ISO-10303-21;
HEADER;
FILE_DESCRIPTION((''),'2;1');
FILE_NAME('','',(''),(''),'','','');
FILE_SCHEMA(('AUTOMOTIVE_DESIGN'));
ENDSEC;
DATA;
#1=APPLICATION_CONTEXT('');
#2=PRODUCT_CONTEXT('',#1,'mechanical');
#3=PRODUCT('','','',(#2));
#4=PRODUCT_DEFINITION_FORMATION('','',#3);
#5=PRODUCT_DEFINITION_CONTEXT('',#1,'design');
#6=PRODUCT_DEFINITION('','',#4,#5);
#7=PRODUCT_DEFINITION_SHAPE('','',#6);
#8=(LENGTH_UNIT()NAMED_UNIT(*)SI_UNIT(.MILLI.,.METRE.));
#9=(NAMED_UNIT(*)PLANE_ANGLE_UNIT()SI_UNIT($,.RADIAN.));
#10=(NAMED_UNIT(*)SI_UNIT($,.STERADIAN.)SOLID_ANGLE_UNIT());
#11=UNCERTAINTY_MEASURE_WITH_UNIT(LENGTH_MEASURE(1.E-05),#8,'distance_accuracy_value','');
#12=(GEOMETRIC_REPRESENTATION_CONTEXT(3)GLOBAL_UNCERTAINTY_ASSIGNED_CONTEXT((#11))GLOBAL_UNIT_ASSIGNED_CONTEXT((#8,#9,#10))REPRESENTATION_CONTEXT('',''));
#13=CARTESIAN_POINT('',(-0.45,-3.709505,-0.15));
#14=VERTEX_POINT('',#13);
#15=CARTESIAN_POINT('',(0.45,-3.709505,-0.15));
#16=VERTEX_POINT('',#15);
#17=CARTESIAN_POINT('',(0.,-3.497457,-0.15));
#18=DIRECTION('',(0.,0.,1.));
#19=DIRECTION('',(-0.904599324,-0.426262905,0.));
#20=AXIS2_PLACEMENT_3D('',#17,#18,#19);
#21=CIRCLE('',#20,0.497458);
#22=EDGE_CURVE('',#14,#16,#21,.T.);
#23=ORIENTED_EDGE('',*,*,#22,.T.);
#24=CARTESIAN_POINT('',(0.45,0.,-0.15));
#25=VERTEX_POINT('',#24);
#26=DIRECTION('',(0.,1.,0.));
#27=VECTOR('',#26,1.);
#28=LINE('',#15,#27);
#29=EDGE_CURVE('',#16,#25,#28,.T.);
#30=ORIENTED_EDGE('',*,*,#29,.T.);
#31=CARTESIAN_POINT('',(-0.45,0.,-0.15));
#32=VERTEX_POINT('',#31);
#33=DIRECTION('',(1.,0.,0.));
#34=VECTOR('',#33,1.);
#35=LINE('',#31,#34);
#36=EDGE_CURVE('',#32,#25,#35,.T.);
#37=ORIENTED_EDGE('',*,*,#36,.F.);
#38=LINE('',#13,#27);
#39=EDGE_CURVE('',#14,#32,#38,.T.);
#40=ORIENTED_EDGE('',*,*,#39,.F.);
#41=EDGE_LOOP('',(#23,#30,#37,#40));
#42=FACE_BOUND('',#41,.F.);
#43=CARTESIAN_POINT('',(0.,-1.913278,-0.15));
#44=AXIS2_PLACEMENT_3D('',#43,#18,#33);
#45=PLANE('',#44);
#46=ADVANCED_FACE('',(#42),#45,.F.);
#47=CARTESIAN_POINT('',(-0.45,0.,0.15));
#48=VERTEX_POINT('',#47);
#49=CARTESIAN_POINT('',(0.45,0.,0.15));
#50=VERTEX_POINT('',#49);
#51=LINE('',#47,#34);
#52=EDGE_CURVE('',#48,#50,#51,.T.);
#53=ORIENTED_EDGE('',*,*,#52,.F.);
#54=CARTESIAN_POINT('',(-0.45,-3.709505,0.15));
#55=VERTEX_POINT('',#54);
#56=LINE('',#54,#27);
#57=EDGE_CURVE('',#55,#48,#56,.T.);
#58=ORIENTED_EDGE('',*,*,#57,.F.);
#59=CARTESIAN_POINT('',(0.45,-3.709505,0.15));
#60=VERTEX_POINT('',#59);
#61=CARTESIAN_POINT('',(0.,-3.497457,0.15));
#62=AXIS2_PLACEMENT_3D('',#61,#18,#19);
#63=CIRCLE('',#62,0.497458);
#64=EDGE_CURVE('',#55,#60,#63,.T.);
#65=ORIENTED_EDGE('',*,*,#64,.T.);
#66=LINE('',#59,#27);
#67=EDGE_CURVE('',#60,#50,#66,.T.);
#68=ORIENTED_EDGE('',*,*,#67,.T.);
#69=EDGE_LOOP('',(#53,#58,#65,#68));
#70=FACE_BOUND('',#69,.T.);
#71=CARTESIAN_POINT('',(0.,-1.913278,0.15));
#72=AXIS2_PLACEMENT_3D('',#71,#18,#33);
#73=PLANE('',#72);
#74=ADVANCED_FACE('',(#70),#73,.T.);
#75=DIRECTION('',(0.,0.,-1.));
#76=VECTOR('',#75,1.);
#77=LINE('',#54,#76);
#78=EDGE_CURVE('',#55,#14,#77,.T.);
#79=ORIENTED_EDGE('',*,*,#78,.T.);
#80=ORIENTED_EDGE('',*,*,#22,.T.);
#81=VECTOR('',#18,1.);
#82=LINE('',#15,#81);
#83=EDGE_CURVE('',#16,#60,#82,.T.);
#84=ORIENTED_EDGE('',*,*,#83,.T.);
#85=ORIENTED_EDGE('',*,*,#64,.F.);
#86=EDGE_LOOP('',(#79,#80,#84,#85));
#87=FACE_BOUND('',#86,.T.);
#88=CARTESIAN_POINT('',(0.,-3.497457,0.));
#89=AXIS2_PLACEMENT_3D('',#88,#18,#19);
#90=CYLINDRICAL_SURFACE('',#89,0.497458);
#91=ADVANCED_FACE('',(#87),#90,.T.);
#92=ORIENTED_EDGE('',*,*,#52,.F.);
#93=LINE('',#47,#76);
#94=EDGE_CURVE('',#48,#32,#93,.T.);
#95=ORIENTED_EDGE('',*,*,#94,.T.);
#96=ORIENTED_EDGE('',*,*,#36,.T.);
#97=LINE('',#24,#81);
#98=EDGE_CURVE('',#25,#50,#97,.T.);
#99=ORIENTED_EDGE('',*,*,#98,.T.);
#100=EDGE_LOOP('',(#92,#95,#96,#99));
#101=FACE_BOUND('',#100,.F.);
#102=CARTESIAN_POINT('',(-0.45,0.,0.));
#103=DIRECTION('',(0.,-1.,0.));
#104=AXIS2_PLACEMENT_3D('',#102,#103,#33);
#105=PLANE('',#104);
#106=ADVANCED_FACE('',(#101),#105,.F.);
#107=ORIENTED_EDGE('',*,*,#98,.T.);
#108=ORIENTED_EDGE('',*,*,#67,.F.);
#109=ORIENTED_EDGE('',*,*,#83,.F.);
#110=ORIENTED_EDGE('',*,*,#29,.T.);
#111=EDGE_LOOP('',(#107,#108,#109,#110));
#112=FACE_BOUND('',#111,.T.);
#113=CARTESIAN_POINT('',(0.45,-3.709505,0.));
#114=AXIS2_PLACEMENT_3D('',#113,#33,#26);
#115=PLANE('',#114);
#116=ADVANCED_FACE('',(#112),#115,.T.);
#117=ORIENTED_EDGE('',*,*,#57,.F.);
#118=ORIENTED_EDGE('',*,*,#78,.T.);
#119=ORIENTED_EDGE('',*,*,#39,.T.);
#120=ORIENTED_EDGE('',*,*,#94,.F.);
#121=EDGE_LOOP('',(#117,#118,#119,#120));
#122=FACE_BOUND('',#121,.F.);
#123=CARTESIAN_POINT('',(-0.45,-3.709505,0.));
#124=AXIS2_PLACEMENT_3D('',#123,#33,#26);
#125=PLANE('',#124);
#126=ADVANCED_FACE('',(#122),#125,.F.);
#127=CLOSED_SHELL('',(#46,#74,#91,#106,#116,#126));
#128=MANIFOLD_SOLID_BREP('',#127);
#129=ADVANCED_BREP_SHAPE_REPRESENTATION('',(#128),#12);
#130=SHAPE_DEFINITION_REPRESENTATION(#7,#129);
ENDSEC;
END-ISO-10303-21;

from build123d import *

# Parameters (mm, degrees)
PAD_DEPTH = 0.15


with BuildPart() as part:
    # Sketch → Pad (new body, symmetric)
    with BuildSketch(Plane.XY):
        with BuildLine():
            ThreePointArc((-0.45, -3.709505), (0, -3.994915), (0.45, -3.709505))
            Line((0.45, -3.709505), (0.45, 0))
            Line((-0.45, 0), (0.45, 0))
            Line((-0.45, -3.709505), (-0.45, 0))
        make_face()
    extrude(amount=PAD_DEPTH, both=True)


solid = part.part
